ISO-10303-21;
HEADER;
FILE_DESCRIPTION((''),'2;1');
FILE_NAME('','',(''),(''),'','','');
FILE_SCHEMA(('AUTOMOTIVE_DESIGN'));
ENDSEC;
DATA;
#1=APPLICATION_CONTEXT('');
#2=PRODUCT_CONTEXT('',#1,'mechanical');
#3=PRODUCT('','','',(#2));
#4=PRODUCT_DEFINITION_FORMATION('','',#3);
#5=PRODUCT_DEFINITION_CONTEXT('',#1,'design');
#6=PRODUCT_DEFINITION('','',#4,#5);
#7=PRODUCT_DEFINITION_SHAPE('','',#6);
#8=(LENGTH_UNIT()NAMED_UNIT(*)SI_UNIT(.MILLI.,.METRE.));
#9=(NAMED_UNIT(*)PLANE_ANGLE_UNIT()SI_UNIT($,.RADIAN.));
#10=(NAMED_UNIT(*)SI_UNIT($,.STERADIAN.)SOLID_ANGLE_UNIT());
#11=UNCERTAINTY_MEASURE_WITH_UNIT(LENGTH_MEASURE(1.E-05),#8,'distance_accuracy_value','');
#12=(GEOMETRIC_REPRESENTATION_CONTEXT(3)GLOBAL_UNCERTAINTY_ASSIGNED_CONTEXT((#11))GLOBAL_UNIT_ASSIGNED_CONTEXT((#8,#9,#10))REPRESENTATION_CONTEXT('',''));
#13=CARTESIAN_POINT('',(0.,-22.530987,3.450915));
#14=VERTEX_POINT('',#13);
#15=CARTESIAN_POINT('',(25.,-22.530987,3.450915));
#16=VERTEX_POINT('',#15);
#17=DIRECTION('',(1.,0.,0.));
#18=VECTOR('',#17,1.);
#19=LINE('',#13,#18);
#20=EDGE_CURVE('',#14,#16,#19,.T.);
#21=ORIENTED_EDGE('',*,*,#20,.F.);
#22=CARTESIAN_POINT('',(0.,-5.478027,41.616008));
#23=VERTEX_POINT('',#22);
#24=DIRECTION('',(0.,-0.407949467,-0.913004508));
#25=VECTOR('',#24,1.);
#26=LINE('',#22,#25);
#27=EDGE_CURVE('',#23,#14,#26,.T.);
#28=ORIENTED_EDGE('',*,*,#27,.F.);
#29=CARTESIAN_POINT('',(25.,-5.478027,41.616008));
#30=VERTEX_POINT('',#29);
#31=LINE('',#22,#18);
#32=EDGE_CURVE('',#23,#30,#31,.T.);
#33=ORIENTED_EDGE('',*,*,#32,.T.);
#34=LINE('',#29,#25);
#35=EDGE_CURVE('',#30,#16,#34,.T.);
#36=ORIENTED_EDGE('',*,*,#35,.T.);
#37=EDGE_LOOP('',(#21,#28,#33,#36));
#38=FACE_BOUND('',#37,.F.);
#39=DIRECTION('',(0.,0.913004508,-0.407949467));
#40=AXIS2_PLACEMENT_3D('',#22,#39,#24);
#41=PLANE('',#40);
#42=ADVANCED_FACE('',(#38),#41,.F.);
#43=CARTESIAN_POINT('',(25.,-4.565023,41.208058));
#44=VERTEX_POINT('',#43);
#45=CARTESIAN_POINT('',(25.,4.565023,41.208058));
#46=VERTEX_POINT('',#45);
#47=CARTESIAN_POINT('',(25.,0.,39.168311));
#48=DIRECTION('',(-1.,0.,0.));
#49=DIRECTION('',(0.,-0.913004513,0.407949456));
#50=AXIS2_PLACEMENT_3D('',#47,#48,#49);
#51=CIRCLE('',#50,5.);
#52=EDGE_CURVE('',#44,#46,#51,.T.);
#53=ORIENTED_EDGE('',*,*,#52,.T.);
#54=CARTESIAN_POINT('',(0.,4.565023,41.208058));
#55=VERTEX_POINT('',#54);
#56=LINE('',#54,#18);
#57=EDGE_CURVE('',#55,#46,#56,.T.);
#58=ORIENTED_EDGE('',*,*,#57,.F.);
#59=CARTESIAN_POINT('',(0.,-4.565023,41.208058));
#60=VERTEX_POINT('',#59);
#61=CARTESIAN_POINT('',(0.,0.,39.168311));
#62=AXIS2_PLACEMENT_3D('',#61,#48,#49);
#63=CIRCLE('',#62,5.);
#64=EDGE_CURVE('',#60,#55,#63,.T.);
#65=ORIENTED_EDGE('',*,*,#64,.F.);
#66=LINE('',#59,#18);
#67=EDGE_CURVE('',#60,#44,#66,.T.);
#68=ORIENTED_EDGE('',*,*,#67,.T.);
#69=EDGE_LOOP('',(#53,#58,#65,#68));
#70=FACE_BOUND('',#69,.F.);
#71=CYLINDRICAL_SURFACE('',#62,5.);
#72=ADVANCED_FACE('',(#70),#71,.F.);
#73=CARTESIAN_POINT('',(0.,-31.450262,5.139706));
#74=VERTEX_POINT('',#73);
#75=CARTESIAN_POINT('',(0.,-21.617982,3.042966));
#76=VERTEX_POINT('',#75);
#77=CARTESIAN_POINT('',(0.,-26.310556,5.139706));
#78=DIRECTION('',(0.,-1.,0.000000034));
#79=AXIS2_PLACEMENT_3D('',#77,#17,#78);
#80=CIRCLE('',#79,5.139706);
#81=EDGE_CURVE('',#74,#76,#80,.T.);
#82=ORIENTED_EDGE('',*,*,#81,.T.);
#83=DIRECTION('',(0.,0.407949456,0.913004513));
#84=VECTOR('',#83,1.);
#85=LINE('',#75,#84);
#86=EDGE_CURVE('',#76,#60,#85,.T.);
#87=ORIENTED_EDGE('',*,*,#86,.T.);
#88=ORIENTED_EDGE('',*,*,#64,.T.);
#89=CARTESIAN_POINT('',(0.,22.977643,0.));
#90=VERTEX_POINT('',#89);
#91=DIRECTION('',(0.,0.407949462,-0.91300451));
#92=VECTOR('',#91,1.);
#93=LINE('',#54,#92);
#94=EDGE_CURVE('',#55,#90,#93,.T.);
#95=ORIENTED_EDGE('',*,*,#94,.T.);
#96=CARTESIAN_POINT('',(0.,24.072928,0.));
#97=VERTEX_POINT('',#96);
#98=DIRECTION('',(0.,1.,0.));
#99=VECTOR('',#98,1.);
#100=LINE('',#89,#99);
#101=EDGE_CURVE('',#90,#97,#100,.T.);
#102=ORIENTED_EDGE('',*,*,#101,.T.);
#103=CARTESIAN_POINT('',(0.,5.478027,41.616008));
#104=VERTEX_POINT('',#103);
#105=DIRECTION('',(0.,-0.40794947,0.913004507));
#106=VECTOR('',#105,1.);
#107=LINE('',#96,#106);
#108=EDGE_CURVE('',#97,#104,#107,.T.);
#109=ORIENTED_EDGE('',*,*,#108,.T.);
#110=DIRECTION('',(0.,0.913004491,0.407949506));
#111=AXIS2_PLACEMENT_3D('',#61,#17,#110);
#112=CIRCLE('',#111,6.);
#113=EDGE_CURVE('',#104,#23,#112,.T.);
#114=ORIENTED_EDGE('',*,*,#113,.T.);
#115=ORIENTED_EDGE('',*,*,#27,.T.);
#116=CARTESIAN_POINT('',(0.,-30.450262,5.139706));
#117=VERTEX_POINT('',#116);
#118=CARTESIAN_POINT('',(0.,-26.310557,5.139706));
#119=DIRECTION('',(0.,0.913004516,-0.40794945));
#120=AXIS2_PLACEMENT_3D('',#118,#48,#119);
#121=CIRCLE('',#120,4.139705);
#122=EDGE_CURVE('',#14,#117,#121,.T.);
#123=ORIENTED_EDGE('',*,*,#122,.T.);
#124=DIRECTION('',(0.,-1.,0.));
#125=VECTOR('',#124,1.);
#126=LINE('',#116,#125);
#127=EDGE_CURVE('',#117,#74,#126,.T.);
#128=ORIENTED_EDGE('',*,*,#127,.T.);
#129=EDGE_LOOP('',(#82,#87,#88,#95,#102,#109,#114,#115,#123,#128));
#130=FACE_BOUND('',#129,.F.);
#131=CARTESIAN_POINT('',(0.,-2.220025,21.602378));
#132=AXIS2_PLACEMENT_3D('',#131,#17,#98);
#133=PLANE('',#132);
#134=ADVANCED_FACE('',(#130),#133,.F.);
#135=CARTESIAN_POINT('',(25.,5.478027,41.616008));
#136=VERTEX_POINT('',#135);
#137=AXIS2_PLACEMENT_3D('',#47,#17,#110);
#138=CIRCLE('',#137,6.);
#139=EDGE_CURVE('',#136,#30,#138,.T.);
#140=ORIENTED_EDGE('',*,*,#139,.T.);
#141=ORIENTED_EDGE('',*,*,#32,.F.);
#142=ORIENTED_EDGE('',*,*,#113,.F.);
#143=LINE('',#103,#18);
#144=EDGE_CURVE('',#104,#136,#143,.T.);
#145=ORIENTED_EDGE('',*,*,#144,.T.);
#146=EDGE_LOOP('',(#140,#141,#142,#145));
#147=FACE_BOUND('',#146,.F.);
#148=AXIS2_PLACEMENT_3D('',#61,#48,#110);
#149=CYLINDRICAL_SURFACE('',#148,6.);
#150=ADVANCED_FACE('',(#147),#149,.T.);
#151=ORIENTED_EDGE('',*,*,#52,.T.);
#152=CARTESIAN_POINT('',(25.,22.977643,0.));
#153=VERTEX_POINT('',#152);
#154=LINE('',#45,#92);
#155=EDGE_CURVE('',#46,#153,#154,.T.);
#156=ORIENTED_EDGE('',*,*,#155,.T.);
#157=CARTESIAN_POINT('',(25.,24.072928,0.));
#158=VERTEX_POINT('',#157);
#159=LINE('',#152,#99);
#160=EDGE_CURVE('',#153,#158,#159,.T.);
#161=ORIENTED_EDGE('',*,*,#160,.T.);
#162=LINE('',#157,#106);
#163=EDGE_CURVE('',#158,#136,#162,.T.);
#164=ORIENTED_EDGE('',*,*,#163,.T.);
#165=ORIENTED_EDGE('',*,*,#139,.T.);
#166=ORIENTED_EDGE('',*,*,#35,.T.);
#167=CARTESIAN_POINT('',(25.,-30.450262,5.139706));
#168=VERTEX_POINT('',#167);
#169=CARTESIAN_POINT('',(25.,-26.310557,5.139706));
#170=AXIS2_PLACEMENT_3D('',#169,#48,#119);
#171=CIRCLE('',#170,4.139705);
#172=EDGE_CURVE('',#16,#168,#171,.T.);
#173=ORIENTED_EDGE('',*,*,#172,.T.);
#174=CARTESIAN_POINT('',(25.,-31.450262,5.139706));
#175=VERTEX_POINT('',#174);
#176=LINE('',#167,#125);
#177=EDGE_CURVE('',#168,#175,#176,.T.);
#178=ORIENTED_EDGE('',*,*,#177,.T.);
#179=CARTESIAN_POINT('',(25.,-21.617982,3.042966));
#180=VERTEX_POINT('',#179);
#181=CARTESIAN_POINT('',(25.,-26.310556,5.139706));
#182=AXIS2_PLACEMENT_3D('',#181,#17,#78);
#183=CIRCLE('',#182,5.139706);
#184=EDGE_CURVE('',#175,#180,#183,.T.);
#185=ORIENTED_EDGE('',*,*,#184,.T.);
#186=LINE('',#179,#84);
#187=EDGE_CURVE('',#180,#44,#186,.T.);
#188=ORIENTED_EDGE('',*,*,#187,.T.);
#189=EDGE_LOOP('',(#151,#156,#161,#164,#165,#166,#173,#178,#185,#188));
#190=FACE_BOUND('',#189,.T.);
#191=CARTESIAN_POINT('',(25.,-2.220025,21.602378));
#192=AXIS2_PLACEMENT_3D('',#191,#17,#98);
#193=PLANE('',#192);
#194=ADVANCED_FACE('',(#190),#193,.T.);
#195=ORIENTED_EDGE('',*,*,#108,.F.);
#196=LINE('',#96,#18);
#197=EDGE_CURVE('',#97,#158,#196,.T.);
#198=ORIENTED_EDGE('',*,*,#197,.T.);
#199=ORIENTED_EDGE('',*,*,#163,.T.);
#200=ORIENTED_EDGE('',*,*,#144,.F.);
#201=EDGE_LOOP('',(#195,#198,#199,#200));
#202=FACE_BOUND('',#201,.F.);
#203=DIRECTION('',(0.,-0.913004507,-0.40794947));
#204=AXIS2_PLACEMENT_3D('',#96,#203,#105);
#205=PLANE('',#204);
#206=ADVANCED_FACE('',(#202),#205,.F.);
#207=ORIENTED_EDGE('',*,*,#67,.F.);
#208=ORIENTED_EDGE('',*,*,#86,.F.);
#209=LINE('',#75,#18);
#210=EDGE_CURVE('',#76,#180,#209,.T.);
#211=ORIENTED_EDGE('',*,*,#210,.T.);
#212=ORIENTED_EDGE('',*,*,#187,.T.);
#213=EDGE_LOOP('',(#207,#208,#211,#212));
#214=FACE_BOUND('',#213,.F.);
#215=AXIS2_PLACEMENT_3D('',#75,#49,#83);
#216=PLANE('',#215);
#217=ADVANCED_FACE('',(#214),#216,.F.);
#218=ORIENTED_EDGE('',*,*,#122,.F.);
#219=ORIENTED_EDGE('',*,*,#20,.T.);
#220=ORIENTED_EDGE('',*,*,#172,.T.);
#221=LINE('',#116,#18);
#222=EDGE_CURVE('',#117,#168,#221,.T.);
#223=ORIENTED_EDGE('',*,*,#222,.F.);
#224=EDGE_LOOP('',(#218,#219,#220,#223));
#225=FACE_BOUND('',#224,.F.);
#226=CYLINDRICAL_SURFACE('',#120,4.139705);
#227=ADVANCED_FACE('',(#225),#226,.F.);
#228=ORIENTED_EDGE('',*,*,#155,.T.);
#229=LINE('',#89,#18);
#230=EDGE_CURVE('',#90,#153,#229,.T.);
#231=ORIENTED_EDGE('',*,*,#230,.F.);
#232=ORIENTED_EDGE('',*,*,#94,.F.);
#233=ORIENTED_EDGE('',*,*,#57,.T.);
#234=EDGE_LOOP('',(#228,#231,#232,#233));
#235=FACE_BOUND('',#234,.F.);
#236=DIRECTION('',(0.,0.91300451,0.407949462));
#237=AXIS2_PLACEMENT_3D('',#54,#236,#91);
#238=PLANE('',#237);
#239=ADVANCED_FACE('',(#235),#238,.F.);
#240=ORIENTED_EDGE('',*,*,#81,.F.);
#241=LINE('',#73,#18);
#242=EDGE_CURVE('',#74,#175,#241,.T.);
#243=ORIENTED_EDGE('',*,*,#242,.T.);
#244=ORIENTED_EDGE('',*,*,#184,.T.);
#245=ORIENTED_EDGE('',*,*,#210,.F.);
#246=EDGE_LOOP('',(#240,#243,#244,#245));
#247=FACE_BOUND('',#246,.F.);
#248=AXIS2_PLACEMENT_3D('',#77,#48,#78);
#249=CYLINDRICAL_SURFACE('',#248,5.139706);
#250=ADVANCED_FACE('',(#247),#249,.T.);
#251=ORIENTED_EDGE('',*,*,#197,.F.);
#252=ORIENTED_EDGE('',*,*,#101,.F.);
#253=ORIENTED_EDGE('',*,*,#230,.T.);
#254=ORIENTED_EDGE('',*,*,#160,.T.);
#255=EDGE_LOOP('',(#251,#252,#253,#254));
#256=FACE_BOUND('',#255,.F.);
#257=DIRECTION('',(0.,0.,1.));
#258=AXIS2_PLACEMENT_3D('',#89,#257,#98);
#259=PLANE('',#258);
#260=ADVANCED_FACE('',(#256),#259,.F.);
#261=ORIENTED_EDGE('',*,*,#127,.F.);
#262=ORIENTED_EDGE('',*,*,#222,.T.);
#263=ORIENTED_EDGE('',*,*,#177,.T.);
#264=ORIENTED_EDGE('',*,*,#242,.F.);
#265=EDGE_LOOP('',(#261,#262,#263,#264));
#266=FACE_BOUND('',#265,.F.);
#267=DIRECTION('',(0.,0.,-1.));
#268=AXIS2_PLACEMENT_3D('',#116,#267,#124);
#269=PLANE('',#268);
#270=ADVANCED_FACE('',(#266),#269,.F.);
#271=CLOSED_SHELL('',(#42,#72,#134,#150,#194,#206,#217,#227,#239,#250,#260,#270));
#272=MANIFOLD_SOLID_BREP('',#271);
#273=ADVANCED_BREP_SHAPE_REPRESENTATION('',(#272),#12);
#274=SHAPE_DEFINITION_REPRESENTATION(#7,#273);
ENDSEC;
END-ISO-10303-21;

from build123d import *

# Parameters (mm, degrees)
F1_DEPTH = 25


with BuildPart() as f1:
    # F0 (on Right) → F1 (new body)
    with BuildSketch(Plane.YZ):
        with BuildLine():
            ThreePointArc((-31.450262, 5.139706), (-27.3825, 0.113026), (-21.617982, 3.042966))
            Line((-21.617982, 3.042966), (-4.565023, 41.208058))
            ThreePointArc((-4.565023, 41.208058), (0, 44.168311), (4.565023, 41.208058))
            Line((4.565023, 41.208058), (22.977643, 0))
            Line((22.977643, 0), (24.072928, 0))
            Line((24.072928, 0), (5.478027, 41.616008))
            ThreePointArc((5.478027, 41.616008), (0, 45.168311), (-5.478027, 41.616008))
            Line((-5.478027, 41.616008), (-22.530987, 3.450915))
            ThreePointArc((-22.530987, 3.450915), (-27.173938, 1.091035), (-30.450262, 5.139706))
            Line((-30.450262, 5.139706), (-31.450262, 5.139706))
        make_face()
    extrude(amount=F1_DEPTH)


solid = f1.part
